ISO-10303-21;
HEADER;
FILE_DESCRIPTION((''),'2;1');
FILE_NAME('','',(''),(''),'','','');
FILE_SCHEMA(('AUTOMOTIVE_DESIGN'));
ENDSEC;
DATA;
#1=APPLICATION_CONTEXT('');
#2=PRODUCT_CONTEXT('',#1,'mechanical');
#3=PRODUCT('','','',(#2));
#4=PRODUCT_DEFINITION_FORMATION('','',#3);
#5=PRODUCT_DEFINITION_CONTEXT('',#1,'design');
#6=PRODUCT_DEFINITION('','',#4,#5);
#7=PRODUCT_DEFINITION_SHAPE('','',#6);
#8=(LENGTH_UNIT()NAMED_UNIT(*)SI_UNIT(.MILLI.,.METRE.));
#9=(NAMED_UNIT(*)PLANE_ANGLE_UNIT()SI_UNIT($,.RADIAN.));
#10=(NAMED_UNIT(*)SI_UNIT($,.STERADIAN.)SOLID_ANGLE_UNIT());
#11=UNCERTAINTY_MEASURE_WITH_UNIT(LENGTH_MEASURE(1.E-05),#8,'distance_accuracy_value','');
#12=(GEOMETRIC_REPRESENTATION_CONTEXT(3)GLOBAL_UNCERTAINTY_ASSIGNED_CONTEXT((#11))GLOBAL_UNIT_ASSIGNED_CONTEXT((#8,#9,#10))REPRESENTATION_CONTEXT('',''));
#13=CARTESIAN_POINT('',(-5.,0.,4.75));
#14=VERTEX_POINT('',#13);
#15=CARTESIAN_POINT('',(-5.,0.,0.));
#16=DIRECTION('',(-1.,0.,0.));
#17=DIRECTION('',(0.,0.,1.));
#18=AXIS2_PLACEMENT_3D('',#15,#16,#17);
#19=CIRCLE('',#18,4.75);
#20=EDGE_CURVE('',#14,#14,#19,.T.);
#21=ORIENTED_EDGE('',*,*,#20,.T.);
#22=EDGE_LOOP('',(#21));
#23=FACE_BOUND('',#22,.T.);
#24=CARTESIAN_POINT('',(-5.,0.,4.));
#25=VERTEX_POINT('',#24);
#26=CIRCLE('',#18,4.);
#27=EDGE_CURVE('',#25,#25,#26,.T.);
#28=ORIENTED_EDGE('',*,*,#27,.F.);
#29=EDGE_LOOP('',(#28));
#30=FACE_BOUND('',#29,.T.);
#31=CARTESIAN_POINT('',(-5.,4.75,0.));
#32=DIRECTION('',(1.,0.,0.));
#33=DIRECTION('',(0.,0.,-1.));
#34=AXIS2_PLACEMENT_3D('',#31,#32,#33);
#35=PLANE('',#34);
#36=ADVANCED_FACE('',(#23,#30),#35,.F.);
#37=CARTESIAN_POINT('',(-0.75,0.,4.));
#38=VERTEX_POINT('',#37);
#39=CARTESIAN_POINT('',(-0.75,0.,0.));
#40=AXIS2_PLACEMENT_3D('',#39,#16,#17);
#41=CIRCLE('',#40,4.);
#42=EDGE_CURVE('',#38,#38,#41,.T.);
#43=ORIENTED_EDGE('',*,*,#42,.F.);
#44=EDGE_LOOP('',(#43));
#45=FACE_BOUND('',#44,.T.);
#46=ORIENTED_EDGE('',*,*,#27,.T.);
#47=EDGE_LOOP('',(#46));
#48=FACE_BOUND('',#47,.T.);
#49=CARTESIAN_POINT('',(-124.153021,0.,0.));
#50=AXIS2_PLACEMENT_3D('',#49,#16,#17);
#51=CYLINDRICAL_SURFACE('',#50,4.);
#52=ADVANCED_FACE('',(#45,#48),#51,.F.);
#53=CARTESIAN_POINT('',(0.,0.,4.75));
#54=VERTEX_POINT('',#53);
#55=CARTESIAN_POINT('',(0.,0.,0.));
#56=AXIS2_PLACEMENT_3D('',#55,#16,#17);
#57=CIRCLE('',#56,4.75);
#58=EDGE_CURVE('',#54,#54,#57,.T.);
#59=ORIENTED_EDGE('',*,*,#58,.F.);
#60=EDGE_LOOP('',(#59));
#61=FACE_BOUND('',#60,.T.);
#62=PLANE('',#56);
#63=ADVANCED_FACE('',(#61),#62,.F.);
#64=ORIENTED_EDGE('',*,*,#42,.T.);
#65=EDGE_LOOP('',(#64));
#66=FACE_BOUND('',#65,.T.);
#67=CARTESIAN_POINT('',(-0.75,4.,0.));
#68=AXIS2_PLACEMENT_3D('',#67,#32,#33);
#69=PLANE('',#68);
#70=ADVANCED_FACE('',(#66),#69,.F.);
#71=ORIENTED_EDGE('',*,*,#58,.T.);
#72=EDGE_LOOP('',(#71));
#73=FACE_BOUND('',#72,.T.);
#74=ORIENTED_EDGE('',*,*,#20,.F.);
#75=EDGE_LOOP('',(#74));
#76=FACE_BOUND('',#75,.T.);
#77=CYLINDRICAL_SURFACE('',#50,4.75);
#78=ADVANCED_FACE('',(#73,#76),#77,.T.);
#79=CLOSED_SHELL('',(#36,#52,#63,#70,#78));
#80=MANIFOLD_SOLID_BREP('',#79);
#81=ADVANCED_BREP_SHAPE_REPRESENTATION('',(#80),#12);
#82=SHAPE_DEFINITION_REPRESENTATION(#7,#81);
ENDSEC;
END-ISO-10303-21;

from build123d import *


with BuildPart() as part:
    # Esquisse1 → Base-Révolution (revolve)
    with BuildSketch(Plane.XY):
        Polygon((0, 0), (0, 4.75), (-5, 4.75), (-5, 4), (-0.75, 4), (-0.75, 0), align=None)
    revolve(axis=Axis((-124.153021442, 0, 0), (1, 0, 0)))


solid = part.part
